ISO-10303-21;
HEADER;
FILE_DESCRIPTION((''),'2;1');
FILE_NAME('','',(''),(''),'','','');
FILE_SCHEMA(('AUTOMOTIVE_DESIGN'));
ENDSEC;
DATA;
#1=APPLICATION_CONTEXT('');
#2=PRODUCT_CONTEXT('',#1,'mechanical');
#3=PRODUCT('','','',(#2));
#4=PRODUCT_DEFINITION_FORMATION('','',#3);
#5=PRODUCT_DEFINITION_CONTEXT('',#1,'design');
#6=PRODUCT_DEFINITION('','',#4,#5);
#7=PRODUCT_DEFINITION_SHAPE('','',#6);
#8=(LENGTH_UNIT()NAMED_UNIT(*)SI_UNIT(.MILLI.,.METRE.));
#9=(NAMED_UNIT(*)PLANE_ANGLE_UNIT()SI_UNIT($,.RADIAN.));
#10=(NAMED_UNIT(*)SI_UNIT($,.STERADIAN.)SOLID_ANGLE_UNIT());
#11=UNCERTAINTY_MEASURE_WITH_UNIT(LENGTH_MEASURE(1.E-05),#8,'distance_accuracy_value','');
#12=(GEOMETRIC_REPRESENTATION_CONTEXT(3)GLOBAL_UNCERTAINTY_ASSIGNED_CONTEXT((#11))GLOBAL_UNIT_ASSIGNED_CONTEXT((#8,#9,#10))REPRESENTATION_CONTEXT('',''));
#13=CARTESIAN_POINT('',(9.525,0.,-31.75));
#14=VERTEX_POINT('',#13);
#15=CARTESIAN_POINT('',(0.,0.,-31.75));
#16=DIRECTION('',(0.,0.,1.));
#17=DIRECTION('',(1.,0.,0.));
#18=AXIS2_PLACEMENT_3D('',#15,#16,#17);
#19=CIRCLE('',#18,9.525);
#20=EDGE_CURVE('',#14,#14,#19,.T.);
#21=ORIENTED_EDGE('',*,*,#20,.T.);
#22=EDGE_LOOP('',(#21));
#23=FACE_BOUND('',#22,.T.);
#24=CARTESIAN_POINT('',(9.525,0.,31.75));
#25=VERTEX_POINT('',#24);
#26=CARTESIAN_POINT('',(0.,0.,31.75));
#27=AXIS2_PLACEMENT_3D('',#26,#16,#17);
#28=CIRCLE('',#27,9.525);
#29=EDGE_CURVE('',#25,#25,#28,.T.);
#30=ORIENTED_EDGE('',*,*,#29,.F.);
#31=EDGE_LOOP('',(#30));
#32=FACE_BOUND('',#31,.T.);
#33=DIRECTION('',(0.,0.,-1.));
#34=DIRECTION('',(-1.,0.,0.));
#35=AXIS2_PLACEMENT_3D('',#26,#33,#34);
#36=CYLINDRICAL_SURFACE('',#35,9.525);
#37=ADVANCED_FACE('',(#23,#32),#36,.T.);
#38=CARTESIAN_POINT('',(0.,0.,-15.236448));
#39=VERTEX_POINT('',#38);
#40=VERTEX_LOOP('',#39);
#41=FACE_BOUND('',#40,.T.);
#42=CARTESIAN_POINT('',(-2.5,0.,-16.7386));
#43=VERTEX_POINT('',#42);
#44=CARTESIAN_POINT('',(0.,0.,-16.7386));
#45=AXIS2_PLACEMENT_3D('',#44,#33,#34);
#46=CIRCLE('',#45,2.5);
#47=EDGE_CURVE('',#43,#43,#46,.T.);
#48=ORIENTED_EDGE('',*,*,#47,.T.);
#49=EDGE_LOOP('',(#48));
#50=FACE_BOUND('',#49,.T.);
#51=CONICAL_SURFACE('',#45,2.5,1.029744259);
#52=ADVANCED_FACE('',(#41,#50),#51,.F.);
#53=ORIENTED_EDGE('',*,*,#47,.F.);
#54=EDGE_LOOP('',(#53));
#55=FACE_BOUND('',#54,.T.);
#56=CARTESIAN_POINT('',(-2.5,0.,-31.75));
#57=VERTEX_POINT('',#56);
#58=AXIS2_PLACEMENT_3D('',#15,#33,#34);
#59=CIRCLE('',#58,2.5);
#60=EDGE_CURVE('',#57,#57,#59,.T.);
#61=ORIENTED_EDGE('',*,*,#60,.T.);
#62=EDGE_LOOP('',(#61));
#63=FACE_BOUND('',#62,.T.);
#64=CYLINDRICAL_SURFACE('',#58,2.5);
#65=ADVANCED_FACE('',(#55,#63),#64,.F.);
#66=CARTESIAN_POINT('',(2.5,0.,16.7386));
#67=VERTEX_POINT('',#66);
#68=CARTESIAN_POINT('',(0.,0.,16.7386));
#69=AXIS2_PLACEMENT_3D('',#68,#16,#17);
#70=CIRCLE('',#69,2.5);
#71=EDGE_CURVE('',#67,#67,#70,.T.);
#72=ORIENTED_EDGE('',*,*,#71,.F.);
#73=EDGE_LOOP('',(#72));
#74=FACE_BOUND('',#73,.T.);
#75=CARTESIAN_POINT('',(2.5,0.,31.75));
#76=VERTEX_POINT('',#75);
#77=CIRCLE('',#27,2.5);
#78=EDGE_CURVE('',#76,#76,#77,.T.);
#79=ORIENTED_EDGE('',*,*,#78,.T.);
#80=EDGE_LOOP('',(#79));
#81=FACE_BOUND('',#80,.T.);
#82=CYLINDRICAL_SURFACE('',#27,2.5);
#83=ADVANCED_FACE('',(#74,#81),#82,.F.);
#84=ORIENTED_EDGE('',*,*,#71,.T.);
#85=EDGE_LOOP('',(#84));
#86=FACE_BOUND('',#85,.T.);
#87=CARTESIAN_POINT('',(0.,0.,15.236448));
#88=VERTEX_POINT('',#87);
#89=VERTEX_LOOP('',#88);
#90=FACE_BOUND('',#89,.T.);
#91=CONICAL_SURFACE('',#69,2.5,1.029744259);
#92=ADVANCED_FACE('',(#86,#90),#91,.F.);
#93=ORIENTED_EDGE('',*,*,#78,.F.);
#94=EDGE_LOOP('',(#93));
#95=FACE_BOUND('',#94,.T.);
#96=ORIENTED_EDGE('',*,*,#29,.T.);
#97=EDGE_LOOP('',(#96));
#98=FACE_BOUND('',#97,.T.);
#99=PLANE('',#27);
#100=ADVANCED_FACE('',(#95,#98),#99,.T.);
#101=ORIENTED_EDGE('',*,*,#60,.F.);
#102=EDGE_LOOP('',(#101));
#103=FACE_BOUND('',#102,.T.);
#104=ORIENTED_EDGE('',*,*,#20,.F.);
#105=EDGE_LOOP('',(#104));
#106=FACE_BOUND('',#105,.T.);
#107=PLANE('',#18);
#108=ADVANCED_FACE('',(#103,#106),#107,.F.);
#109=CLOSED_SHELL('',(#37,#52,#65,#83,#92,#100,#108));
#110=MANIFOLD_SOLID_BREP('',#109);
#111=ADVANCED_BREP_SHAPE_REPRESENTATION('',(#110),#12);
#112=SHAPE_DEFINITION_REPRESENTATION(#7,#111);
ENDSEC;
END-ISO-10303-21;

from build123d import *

# Parameters (mm, degrees)
SKETCH1_R                 = 9.525
BOSS_EXTRUDE1_DEPTH       = 31.75
M6X1_0_TAPPED_HOLE1_D     = 5
M6X1_0_TAPPED_HOLE1_DEPTH = 15.0114
M6X1_0_TAPPED_HOLE1_TIP   = 1.502151548
M6X1_0_TAPPED_HOLE2_D     = 5
M6X1_0_TAPPED_HOLE2_DEPTH = 15.0114
M6X1_0_TAPPED_HOLE2_TIP   = 1.502151548


with BuildPart() as part:
    # Sketch1 → Boss-Extrude1 (new body, symmetric)
    with BuildSketch(Plane.XY):
        Circle(SKETCH1_R)
    extrude(amount=BOSS_EXTRUDE1_DEPTH, both=True)

    # M6x1.0 Tapped Hole1
    with Locations(Plane.XY.offset(31.75)):
        with Locations((0, 0)):
            Hole(M6X1_0_TAPPED_HOLE1_D / 2, depth=M6X1_0_TAPPED_HOLE1_DEPTH)
            with Locations((0, 0, -(M6X1_0_TAPPED_HOLE1_DEPTH + M6X1_0_TAPPED_HOLE1_TIP / 2))):  # 118° drill point
                Cone(0, M6X1_0_TAPPED_HOLE1_D / 2, M6X1_0_TAPPED_HOLE1_TIP, mode=Mode.SUBTRACT)

    # M6x1.0 Tapped Hole2
    with Locations(Plane(origin=(0, 0, -31.75), x_dir=(-1, 0, 0), z_dir=(0, 0, -1))):
        with Locations((0, 0)):
            Hole(M6X1_0_TAPPED_HOLE2_D / 2, depth=M6X1_0_TAPPED_HOLE2_DEPTH)
            with Locations((0, 0, -(M6X1_0_TAPPED_HOLE2_DEPTH + M6X1_0_TAPPED_HOLE2_TIP / 2))):  # 118° drill point
                Cone(0, M6X1_0_TAPPED_HOLE2_D / 2, M6X1_0_TAPPED_HOLE2_TIP, mode=Mode.SUBTRACT)


solid = part.part
